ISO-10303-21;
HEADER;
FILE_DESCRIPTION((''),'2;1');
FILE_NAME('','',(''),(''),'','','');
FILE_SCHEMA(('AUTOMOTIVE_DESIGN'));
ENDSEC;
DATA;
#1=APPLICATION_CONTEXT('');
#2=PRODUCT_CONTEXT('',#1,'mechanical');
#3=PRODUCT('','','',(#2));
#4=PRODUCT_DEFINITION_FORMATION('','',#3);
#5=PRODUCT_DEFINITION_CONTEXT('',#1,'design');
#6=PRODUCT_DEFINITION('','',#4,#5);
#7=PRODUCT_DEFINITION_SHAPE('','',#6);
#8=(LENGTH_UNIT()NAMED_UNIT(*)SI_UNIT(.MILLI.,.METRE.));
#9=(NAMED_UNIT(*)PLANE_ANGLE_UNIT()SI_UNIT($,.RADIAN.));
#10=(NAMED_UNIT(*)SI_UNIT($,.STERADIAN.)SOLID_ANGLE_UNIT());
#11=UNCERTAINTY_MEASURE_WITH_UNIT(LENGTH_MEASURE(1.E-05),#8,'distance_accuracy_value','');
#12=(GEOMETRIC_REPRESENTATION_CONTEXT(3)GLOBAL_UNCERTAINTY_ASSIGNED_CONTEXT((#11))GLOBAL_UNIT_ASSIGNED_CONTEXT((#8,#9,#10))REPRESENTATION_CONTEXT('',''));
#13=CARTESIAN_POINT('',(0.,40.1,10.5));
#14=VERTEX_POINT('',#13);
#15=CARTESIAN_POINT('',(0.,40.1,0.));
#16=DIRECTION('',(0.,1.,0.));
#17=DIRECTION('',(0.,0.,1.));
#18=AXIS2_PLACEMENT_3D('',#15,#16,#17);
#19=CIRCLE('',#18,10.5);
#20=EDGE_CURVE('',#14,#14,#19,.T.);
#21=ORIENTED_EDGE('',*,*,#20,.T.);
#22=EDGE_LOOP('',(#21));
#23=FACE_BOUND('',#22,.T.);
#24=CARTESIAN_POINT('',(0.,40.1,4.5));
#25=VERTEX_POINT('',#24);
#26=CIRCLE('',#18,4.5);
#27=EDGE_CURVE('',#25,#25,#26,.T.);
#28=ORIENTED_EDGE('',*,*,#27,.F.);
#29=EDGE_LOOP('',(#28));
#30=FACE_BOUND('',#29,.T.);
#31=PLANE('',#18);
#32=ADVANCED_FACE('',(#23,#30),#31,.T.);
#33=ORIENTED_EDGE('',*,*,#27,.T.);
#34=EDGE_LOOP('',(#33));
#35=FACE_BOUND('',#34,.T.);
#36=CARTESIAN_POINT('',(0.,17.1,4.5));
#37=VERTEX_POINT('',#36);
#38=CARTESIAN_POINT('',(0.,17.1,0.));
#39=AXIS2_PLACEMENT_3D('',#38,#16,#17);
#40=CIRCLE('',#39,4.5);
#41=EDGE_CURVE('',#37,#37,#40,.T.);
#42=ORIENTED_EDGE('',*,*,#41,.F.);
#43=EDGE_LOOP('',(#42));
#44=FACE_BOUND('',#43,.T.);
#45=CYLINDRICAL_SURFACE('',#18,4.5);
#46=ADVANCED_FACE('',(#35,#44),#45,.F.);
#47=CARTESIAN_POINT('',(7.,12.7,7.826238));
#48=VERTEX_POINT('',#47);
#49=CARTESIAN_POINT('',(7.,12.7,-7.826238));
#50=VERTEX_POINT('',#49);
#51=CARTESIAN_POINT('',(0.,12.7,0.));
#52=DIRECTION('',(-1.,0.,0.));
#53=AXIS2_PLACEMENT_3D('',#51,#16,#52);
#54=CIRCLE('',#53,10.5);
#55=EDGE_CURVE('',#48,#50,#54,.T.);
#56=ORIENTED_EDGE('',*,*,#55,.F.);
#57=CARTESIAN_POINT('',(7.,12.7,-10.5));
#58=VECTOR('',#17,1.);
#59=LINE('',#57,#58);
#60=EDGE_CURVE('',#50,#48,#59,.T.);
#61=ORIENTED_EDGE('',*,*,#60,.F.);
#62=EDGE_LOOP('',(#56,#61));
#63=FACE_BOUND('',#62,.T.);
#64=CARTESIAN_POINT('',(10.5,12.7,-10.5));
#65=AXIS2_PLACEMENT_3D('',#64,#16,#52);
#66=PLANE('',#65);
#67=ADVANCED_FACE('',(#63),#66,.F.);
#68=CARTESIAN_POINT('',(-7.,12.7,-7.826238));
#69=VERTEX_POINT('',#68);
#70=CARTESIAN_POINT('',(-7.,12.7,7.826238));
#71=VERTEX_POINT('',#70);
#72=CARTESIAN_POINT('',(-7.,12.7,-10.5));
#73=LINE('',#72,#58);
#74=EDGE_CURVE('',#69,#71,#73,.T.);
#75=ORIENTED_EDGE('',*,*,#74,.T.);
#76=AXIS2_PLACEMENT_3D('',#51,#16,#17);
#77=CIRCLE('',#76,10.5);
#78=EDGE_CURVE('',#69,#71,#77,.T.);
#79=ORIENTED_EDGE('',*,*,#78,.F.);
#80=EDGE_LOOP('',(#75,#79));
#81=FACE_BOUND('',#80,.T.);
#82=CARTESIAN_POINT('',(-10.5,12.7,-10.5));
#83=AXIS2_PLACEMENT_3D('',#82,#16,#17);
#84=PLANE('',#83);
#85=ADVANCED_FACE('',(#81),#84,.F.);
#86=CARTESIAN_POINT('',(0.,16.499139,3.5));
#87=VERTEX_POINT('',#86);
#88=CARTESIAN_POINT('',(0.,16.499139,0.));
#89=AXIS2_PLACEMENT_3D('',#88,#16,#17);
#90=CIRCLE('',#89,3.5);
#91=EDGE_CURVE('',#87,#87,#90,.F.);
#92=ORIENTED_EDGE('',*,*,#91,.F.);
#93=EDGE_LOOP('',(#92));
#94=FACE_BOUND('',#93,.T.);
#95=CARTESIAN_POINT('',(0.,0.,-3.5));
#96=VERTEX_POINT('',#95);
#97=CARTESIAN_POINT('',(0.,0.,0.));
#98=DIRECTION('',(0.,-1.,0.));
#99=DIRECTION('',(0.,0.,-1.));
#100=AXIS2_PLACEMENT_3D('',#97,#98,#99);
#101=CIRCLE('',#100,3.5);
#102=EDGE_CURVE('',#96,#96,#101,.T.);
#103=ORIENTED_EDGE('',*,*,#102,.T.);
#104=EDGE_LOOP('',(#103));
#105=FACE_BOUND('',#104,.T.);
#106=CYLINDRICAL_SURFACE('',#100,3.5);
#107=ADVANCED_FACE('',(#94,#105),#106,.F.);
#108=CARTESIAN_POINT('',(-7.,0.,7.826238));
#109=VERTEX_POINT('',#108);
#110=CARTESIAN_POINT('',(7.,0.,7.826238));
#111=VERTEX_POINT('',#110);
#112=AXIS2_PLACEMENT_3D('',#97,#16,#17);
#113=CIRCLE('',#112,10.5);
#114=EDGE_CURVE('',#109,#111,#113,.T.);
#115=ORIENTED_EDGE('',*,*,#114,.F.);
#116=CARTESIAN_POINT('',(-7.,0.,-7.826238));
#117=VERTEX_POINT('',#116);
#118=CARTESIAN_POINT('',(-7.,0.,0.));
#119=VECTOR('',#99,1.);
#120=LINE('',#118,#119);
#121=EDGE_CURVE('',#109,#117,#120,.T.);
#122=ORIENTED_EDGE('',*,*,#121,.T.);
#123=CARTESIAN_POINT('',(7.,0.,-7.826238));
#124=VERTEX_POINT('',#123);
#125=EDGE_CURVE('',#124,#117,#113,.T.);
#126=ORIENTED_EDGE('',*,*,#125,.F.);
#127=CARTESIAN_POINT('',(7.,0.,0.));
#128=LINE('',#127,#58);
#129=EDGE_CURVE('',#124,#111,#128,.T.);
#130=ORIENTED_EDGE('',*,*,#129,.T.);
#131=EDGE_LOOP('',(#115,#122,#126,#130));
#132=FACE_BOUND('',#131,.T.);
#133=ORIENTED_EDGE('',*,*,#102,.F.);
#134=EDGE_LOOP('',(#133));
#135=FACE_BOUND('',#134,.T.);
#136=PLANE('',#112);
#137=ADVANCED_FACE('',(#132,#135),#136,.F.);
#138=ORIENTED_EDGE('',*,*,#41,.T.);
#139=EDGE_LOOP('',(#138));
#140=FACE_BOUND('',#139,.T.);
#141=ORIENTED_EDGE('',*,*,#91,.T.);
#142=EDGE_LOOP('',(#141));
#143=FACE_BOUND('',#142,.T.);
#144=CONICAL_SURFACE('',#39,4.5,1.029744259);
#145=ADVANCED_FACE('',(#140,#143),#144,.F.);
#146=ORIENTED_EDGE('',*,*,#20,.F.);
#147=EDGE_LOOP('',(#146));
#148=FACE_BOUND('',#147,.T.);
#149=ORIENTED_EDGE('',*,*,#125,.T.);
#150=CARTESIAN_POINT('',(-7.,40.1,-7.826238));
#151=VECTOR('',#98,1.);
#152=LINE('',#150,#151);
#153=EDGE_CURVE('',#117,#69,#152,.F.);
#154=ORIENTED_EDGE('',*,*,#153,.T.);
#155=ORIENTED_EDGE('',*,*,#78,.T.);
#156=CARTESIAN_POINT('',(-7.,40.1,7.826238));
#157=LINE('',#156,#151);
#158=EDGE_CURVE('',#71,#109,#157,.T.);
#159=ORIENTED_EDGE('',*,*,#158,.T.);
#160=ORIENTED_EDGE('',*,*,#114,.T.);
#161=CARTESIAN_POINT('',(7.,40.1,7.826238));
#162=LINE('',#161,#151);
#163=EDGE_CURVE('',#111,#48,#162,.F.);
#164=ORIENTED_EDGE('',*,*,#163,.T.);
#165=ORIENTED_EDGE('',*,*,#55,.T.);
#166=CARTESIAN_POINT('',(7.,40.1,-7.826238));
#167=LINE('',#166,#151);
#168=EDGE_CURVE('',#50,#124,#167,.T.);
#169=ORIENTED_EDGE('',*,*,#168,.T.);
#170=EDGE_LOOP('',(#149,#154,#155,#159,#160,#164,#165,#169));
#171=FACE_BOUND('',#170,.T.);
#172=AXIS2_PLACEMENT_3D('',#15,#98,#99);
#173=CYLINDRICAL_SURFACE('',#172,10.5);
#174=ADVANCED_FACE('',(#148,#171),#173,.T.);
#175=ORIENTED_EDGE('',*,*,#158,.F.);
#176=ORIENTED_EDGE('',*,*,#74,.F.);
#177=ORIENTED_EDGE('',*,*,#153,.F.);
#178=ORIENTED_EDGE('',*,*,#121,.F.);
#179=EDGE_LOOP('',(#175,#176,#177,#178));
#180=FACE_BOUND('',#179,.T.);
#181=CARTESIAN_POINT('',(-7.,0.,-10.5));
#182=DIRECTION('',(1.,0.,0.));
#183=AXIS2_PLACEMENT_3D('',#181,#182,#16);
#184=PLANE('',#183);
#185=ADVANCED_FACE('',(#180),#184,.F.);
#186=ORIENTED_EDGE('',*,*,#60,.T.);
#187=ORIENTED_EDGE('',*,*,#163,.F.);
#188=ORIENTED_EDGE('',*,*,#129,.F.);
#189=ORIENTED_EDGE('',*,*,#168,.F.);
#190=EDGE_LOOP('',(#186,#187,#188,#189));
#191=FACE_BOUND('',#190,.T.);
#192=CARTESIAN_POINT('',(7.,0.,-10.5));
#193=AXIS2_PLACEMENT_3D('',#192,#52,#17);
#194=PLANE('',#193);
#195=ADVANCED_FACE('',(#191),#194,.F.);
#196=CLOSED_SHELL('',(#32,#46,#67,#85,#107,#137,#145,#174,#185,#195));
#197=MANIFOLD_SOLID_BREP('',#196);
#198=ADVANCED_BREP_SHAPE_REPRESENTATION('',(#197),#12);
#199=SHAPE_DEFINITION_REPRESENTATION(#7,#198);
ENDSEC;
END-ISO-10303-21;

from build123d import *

# Parameters (mm, degrees)
SKETCH1_R                  = 10.5
BOSS_EXTRUDE1_DEPTH        = 40.1
M10X1_0_TAPPED_HOLE1_D     = 9
M10X1_0_TAPPED_HOLE1_DEPTH = 23
M10X1_0_TAPPED_HOLE1_TIP   = 2.703872786
M8X1_0_TAPPED_HOLE1_D      = 7
M8X1_0_TAPPED_HOLE1_DEPTH  = 19
M8X1_0_TAPPED_HOLE1_TIP    = 2.103012167
CUT_EXTRUDE1_DEPTH         = 43.761080435
CUT_EXTRUDE1_DEPTH_BACK    = 43.761080435
SKETCH6_W                  = 3.5
SKETCH6_H                  = 12.7


with BuildPart() as part:
    # Sketch1 → Boss-Extrude1 (new body)
    with BuildSketch(Plane(origin=(0, 0, 0), x_dir=(1, 0, 0), z_dir=(0, 1, 0))):
        with Locations(Location((0, 0, 0), (0, 0, 270))):
            Circle(SKETCH1_R)
    extrude(amount=BOSS_EXTRUDE1_DEPTH)

    # M10x1.0 Tapped Hole1
    with Locations(Plane(origin=(0, 40.1, 0), x_dir=(1, 0, 0), z_dir=(0, 1, 0))):
        with Locations((0, 0)):
            Hole(M10X1_0_TAPPED_HOLE1_D / 2, depth=M10X1_0_TAPPED_HOLE1_DEPTH)
            with Locations((0, 0, -(M10X1_0_TAPPED_HOLE1_DEPTH + M10X1_0_TAPPED_HOLE1_TIP / 2))):  # 118° drill point
                Cone(0, M10X1_0_TAPPED_HOLE1_D / 2, M10X1_0_TAPPED_HOLE1_TIP, mode=Mode.SUBTRACT)

    # M8x1.0 Tapped Hole1
    with Locations(Plane(origin=(0, 0, 0), x_dir=(-1, 0, 0), z_dir=(0, -1, 0))):
        with Locations((0, 0)):
            Hole(M8X1_0_TAPPED_HOLE1_D / 2, depth=M8X1_0_TAPPED_HOLE1_DEPTH)
            with Locations((0, 0, -(M8X1_0_TAPPED_HOLE1_DEPTH + M8X1_0_TAPPED_HOLE1_TIP / 2))):  # 118° drill point
                Cone(0, M8X1_0_TAPPED_HOLE1_D / 2, M8X1_0_TAPPED_HOLE1_TIP, mode=Mode.SUBTRACT)

    # Sketch6 → Cut-Extrude1 (cut, two sides: drawn at the far end of the back side and taken through both)
    with BuildSketch(Plane.XY.offset(-CUT_EXTRUDE1_DEPTH_BACK)):
        with Locations((-8.75, 6.35)):
            Rectangle(SKETCH6_W, SKETCH6_H)
        with Locations((8.75, 6.35)):
            Rectangle(SKETCH6_W, SKETCH6_H)
    extrude(amount=CUT_EXTRUDE1_DEPTH + CUT_EXTRUDE1_DEPTH_BACK, mode=Mode.SUBTRACT)


solid = part.part
